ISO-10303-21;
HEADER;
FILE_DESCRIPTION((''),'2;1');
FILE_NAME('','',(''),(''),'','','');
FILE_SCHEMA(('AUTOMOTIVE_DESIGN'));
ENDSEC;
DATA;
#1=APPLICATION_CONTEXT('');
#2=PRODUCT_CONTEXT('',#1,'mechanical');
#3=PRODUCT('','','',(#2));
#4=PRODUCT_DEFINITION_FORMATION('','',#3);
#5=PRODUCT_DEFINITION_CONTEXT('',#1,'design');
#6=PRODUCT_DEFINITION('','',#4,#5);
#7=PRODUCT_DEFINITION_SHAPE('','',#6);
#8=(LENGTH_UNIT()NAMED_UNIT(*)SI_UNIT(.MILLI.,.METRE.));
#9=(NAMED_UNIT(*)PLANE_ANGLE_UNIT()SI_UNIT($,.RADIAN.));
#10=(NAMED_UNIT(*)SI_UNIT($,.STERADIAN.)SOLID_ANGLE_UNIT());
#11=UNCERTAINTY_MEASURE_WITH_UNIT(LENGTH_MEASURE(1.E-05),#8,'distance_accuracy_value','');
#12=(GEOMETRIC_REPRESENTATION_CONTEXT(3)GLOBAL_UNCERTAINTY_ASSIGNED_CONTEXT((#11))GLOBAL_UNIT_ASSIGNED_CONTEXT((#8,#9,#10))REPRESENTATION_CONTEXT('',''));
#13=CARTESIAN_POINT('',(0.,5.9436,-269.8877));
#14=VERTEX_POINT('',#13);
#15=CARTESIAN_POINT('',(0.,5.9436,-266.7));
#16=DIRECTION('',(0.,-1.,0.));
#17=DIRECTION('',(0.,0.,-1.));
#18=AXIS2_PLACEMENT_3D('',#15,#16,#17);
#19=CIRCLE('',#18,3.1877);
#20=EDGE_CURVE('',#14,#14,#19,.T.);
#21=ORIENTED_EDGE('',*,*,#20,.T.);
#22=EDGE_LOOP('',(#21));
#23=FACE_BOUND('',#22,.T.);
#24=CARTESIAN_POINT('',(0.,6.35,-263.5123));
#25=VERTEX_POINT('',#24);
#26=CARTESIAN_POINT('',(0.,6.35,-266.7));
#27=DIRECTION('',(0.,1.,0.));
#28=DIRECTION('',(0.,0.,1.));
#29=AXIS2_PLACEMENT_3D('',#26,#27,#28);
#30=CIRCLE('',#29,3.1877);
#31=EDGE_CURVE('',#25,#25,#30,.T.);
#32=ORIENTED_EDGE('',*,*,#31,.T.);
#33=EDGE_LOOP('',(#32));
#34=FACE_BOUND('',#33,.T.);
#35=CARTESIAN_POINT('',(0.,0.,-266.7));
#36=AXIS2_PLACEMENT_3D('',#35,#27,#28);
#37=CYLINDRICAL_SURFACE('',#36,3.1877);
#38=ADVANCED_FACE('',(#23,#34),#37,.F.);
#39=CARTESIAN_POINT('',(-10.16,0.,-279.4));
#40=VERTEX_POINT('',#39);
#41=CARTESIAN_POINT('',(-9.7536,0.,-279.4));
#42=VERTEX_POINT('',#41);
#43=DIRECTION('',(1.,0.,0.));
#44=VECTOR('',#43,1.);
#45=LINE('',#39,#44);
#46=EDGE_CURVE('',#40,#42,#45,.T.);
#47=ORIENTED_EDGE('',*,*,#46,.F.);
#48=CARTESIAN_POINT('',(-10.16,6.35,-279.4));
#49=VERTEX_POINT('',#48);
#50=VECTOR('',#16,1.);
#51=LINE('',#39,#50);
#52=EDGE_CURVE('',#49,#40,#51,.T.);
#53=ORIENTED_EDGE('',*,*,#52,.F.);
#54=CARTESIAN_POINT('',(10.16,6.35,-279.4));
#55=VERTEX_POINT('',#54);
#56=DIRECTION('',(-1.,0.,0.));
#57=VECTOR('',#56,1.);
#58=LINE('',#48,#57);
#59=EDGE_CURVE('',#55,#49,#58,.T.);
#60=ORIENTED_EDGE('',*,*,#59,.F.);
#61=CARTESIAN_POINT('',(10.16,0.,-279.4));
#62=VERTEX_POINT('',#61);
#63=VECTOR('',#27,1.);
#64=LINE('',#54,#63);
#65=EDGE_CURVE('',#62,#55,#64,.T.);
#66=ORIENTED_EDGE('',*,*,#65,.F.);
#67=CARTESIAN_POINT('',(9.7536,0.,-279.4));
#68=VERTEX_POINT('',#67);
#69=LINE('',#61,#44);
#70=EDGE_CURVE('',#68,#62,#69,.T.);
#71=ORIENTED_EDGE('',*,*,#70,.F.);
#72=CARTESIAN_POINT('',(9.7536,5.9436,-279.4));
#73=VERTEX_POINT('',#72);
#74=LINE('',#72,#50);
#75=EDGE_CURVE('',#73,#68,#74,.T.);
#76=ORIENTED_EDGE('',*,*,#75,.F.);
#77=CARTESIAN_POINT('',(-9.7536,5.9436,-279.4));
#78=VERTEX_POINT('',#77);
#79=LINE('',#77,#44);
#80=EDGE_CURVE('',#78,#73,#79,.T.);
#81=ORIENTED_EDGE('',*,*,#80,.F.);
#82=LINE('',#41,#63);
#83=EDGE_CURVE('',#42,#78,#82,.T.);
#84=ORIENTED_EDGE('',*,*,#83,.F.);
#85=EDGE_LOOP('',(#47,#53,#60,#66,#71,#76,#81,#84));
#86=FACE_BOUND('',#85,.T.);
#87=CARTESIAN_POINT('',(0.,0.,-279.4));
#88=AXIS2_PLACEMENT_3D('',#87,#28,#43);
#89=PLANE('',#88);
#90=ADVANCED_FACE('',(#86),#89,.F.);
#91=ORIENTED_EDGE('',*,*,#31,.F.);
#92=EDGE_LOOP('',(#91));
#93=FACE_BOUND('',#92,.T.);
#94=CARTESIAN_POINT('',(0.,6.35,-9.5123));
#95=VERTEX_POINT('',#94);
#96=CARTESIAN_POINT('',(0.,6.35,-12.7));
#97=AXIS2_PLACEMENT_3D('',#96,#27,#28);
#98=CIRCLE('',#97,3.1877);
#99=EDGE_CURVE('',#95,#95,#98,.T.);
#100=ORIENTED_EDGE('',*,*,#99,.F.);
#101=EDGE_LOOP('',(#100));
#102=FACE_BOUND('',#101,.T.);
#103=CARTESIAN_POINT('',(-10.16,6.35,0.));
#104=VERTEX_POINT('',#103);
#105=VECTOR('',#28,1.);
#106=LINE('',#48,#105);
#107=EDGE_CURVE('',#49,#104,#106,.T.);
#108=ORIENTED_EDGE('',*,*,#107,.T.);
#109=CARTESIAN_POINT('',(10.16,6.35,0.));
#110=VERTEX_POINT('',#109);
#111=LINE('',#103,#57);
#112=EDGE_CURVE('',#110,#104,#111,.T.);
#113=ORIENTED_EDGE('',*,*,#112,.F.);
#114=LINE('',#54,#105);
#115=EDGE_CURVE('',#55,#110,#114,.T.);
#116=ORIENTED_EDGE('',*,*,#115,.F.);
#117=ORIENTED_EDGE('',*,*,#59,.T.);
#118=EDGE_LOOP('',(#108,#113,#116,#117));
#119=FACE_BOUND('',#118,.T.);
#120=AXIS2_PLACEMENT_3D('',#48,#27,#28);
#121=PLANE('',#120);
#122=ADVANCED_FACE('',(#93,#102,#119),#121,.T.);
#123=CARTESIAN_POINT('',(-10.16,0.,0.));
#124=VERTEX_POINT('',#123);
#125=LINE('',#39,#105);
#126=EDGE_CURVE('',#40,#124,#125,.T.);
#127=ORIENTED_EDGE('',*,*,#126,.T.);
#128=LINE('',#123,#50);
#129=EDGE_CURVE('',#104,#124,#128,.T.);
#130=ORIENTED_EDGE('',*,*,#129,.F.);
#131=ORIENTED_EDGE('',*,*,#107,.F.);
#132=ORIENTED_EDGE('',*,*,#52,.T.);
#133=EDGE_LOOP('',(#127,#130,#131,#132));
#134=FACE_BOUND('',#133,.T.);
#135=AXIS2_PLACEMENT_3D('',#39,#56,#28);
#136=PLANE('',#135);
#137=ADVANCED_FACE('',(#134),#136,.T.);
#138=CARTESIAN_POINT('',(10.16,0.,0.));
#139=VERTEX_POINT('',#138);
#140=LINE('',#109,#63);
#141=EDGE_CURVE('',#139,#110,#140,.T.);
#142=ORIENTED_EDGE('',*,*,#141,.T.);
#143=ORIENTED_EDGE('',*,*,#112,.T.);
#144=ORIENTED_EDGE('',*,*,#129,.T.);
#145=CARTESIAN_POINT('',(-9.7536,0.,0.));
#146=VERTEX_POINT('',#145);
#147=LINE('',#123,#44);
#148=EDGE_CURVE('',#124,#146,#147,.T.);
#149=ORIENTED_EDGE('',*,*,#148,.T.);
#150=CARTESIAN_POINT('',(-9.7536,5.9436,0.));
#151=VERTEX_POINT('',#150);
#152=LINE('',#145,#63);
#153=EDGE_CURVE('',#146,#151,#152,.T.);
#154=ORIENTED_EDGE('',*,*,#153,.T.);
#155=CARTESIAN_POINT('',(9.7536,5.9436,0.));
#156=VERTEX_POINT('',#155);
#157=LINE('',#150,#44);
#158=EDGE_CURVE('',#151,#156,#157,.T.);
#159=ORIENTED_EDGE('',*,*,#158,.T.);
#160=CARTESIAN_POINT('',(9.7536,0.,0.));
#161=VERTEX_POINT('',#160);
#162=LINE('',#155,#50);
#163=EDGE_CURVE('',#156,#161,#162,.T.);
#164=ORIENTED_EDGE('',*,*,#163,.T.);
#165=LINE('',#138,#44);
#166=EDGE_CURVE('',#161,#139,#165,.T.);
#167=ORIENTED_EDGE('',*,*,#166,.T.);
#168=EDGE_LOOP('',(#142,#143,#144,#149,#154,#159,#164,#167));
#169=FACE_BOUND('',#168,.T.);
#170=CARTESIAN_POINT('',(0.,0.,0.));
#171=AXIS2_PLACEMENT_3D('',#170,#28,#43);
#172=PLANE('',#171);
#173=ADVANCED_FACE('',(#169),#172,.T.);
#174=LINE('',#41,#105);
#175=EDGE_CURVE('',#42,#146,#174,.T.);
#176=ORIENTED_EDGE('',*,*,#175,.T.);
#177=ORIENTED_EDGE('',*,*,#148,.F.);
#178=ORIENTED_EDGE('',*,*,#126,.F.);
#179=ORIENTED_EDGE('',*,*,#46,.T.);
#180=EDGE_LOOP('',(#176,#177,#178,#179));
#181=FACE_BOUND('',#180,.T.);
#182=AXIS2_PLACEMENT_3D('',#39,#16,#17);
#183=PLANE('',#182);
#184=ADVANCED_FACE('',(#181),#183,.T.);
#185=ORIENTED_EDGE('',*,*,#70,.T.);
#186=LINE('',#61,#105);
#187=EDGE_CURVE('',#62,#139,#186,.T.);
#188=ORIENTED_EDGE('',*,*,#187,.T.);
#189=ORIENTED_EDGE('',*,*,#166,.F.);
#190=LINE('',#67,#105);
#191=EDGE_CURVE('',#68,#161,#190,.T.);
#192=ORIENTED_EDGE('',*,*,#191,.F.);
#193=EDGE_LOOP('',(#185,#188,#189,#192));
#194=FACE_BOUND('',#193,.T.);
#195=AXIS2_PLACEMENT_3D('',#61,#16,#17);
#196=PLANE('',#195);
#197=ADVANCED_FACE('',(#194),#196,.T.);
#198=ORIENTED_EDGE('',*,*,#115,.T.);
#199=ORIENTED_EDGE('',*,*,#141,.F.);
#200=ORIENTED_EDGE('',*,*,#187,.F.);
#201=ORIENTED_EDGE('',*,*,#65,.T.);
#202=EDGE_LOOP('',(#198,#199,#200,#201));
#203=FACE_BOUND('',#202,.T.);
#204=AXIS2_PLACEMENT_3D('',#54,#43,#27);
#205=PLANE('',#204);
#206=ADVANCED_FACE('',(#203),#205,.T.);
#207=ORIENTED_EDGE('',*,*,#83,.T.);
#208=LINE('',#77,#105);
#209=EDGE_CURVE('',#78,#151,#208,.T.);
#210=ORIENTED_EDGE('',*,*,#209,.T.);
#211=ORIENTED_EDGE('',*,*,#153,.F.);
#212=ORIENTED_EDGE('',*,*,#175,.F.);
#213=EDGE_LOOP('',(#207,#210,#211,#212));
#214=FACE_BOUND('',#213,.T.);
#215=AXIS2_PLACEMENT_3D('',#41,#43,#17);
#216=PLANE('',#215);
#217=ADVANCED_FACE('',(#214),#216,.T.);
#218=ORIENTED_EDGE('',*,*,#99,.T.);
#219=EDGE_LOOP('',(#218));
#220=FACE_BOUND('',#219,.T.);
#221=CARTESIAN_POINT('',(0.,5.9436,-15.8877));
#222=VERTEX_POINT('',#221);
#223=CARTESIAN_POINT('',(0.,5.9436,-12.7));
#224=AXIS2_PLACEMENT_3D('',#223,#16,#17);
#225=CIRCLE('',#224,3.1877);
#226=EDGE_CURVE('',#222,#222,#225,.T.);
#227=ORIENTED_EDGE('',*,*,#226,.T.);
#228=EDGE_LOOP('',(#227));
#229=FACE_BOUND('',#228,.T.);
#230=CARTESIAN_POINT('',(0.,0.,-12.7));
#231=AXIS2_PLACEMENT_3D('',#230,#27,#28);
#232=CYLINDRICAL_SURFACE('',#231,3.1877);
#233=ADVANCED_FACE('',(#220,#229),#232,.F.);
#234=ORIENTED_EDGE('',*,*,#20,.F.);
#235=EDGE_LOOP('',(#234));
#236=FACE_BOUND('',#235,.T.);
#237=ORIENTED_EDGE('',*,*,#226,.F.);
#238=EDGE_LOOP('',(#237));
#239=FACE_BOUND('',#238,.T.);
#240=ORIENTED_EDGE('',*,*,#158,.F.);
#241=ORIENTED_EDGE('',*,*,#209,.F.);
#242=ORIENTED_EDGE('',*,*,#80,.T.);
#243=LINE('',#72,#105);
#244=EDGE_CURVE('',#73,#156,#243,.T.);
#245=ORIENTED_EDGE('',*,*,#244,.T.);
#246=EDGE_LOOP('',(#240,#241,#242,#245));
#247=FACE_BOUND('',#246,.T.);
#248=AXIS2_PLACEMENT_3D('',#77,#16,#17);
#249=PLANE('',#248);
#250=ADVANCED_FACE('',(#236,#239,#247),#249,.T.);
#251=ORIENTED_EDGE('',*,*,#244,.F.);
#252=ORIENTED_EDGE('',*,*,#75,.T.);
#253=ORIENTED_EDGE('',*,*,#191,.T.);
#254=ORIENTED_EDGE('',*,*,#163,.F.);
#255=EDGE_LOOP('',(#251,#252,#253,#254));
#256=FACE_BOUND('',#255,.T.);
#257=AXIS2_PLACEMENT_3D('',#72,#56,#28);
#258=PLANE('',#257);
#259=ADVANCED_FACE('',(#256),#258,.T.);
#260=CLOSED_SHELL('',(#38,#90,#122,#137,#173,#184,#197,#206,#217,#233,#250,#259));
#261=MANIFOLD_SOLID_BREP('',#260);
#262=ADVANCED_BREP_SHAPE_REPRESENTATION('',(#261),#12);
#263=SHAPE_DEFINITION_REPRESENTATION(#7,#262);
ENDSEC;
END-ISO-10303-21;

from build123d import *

# Parameters (mm, degrees)
BOSS_EXTRUDE1_DEPTH = 279.4
SKETCH2_R           = 3.1877
CUT_EXTRUDE1_DEPTH  = 280.656768379


with BuildPart() as part:
    # Sketch1 → Boss-Extrude1 (new body)
    with BuildSketch(Plane.XY):
        Polygon((-10.16, 0), (-10.16, 6.35), (10.16, 6.35), (10.16, 0), (9.7536, 0), (9.7536, 5.9436), (-9.7536, 5.9436), (-9.7536, 0), align=None)
    extrude(amount=-BOSS_EXTRUDE1_DEPTH)

    # Sketch2 → Cut-Extrude1 (cut, through all)
    with BuildSketch(Plane(origin=(0, 6.35, 0), x_dir=(1, 0, 0), z_dir=(0, 1, 0))):
        with Locations(Location((0, 266.7, 0), (0, 0, 270))):
            Circle(SKETCH2_R)
        with Locations(Location((0, 12.7, 0), (0, 0, 270))):
            Circle(SKETCH2_R)
    extrude(amount=-CUT_EXTRUDE1_DEPTH, mode=Mode.SUBTRACT)


solid = part.part
